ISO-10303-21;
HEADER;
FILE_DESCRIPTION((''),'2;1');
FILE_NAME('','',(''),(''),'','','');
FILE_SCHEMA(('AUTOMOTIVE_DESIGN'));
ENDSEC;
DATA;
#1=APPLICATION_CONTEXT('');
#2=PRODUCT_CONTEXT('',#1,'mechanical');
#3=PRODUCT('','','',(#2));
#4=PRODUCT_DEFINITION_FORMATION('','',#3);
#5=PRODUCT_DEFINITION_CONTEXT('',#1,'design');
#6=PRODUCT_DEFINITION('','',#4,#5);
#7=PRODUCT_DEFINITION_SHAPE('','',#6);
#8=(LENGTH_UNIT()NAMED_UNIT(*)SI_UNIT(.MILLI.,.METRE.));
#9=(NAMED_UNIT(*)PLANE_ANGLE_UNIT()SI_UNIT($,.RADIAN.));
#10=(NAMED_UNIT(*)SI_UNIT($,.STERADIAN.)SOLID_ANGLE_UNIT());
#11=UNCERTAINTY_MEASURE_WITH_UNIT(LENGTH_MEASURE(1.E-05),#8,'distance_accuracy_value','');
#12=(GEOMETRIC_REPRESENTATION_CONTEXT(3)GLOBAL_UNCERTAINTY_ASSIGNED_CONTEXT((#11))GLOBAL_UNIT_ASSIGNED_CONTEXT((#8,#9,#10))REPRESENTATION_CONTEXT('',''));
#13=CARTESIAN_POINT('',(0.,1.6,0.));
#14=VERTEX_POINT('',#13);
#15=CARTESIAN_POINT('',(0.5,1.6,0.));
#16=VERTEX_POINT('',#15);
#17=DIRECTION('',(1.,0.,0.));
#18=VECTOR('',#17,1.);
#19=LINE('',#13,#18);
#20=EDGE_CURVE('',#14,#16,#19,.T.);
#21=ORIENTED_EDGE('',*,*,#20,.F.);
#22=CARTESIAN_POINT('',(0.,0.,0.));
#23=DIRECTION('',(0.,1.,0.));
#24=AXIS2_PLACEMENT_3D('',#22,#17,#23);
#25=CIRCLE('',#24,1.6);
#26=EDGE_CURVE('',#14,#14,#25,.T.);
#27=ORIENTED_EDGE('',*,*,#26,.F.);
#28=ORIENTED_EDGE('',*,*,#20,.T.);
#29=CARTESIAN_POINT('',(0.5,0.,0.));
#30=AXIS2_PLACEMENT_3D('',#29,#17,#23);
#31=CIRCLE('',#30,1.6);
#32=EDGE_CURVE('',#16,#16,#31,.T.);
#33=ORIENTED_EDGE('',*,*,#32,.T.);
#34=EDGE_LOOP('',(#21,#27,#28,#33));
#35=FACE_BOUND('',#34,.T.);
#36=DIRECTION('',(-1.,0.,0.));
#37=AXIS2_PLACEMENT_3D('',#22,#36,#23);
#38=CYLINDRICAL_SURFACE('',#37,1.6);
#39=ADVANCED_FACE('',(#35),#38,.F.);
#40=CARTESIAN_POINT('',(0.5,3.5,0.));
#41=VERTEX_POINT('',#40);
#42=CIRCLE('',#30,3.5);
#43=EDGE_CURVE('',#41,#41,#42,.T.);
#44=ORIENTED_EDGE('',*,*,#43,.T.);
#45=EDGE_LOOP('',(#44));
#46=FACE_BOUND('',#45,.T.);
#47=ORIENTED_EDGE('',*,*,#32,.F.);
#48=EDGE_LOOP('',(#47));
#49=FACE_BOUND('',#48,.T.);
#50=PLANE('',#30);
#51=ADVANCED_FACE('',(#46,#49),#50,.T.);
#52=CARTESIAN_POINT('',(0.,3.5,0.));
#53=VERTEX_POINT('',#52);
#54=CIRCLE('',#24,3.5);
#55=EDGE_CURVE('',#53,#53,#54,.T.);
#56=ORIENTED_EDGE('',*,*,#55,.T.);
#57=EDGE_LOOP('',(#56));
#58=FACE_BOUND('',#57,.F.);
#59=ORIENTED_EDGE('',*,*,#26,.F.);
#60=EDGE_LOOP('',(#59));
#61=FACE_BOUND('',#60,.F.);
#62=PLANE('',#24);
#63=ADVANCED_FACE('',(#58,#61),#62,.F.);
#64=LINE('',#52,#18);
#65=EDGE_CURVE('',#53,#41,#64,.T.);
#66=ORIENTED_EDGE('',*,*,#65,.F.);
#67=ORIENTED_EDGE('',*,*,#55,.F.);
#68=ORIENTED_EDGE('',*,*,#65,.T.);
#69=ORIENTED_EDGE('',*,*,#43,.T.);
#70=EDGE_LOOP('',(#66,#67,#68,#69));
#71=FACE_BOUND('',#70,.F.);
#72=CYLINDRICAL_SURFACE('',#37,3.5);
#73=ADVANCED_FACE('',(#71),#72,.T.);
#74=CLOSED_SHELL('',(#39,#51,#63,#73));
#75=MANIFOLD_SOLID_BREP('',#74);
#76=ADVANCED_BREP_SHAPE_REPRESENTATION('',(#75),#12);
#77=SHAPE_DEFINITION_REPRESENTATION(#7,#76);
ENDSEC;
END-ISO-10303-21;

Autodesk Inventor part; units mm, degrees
ref_plane "YZ Plane" through (0, 0, 0) normal (1, 0, 0) x (0, 1, 0)
ref_plane "XZ Plane" through (0, 0, 0) normal (0, 1, 0) x (-1, 0, 0)
sketch "Sketch" plane through (0, 0, 0) normal (1, 0, 0) x (0, 1, 0)
  circle A0 centre (0, 0) radius 3.5
  circle A1 centre (0, 0) radius 1.6
  dimension "d0" = 3.2
  dimension "d1" = 7
extrude "Body" add sketch "Sketch" along normal blind 0.5
ref_plane "Work Plane1" through (0, 0, 0) normal (0, 0, 1) x (1, 0, 0)
equation "\"d0\" = SD1"
equation "\"d1\" = SD2"
equation "\"d2\" = SD"
equation "\"SD1\" = 3.2"
equation "\"SD2\" = 7"
equation "\"SD\" = 0.5"
equation "\"NND\" = 3"
properties part number "ISO 7089 - 3 - 140 HV" material "Steel"
